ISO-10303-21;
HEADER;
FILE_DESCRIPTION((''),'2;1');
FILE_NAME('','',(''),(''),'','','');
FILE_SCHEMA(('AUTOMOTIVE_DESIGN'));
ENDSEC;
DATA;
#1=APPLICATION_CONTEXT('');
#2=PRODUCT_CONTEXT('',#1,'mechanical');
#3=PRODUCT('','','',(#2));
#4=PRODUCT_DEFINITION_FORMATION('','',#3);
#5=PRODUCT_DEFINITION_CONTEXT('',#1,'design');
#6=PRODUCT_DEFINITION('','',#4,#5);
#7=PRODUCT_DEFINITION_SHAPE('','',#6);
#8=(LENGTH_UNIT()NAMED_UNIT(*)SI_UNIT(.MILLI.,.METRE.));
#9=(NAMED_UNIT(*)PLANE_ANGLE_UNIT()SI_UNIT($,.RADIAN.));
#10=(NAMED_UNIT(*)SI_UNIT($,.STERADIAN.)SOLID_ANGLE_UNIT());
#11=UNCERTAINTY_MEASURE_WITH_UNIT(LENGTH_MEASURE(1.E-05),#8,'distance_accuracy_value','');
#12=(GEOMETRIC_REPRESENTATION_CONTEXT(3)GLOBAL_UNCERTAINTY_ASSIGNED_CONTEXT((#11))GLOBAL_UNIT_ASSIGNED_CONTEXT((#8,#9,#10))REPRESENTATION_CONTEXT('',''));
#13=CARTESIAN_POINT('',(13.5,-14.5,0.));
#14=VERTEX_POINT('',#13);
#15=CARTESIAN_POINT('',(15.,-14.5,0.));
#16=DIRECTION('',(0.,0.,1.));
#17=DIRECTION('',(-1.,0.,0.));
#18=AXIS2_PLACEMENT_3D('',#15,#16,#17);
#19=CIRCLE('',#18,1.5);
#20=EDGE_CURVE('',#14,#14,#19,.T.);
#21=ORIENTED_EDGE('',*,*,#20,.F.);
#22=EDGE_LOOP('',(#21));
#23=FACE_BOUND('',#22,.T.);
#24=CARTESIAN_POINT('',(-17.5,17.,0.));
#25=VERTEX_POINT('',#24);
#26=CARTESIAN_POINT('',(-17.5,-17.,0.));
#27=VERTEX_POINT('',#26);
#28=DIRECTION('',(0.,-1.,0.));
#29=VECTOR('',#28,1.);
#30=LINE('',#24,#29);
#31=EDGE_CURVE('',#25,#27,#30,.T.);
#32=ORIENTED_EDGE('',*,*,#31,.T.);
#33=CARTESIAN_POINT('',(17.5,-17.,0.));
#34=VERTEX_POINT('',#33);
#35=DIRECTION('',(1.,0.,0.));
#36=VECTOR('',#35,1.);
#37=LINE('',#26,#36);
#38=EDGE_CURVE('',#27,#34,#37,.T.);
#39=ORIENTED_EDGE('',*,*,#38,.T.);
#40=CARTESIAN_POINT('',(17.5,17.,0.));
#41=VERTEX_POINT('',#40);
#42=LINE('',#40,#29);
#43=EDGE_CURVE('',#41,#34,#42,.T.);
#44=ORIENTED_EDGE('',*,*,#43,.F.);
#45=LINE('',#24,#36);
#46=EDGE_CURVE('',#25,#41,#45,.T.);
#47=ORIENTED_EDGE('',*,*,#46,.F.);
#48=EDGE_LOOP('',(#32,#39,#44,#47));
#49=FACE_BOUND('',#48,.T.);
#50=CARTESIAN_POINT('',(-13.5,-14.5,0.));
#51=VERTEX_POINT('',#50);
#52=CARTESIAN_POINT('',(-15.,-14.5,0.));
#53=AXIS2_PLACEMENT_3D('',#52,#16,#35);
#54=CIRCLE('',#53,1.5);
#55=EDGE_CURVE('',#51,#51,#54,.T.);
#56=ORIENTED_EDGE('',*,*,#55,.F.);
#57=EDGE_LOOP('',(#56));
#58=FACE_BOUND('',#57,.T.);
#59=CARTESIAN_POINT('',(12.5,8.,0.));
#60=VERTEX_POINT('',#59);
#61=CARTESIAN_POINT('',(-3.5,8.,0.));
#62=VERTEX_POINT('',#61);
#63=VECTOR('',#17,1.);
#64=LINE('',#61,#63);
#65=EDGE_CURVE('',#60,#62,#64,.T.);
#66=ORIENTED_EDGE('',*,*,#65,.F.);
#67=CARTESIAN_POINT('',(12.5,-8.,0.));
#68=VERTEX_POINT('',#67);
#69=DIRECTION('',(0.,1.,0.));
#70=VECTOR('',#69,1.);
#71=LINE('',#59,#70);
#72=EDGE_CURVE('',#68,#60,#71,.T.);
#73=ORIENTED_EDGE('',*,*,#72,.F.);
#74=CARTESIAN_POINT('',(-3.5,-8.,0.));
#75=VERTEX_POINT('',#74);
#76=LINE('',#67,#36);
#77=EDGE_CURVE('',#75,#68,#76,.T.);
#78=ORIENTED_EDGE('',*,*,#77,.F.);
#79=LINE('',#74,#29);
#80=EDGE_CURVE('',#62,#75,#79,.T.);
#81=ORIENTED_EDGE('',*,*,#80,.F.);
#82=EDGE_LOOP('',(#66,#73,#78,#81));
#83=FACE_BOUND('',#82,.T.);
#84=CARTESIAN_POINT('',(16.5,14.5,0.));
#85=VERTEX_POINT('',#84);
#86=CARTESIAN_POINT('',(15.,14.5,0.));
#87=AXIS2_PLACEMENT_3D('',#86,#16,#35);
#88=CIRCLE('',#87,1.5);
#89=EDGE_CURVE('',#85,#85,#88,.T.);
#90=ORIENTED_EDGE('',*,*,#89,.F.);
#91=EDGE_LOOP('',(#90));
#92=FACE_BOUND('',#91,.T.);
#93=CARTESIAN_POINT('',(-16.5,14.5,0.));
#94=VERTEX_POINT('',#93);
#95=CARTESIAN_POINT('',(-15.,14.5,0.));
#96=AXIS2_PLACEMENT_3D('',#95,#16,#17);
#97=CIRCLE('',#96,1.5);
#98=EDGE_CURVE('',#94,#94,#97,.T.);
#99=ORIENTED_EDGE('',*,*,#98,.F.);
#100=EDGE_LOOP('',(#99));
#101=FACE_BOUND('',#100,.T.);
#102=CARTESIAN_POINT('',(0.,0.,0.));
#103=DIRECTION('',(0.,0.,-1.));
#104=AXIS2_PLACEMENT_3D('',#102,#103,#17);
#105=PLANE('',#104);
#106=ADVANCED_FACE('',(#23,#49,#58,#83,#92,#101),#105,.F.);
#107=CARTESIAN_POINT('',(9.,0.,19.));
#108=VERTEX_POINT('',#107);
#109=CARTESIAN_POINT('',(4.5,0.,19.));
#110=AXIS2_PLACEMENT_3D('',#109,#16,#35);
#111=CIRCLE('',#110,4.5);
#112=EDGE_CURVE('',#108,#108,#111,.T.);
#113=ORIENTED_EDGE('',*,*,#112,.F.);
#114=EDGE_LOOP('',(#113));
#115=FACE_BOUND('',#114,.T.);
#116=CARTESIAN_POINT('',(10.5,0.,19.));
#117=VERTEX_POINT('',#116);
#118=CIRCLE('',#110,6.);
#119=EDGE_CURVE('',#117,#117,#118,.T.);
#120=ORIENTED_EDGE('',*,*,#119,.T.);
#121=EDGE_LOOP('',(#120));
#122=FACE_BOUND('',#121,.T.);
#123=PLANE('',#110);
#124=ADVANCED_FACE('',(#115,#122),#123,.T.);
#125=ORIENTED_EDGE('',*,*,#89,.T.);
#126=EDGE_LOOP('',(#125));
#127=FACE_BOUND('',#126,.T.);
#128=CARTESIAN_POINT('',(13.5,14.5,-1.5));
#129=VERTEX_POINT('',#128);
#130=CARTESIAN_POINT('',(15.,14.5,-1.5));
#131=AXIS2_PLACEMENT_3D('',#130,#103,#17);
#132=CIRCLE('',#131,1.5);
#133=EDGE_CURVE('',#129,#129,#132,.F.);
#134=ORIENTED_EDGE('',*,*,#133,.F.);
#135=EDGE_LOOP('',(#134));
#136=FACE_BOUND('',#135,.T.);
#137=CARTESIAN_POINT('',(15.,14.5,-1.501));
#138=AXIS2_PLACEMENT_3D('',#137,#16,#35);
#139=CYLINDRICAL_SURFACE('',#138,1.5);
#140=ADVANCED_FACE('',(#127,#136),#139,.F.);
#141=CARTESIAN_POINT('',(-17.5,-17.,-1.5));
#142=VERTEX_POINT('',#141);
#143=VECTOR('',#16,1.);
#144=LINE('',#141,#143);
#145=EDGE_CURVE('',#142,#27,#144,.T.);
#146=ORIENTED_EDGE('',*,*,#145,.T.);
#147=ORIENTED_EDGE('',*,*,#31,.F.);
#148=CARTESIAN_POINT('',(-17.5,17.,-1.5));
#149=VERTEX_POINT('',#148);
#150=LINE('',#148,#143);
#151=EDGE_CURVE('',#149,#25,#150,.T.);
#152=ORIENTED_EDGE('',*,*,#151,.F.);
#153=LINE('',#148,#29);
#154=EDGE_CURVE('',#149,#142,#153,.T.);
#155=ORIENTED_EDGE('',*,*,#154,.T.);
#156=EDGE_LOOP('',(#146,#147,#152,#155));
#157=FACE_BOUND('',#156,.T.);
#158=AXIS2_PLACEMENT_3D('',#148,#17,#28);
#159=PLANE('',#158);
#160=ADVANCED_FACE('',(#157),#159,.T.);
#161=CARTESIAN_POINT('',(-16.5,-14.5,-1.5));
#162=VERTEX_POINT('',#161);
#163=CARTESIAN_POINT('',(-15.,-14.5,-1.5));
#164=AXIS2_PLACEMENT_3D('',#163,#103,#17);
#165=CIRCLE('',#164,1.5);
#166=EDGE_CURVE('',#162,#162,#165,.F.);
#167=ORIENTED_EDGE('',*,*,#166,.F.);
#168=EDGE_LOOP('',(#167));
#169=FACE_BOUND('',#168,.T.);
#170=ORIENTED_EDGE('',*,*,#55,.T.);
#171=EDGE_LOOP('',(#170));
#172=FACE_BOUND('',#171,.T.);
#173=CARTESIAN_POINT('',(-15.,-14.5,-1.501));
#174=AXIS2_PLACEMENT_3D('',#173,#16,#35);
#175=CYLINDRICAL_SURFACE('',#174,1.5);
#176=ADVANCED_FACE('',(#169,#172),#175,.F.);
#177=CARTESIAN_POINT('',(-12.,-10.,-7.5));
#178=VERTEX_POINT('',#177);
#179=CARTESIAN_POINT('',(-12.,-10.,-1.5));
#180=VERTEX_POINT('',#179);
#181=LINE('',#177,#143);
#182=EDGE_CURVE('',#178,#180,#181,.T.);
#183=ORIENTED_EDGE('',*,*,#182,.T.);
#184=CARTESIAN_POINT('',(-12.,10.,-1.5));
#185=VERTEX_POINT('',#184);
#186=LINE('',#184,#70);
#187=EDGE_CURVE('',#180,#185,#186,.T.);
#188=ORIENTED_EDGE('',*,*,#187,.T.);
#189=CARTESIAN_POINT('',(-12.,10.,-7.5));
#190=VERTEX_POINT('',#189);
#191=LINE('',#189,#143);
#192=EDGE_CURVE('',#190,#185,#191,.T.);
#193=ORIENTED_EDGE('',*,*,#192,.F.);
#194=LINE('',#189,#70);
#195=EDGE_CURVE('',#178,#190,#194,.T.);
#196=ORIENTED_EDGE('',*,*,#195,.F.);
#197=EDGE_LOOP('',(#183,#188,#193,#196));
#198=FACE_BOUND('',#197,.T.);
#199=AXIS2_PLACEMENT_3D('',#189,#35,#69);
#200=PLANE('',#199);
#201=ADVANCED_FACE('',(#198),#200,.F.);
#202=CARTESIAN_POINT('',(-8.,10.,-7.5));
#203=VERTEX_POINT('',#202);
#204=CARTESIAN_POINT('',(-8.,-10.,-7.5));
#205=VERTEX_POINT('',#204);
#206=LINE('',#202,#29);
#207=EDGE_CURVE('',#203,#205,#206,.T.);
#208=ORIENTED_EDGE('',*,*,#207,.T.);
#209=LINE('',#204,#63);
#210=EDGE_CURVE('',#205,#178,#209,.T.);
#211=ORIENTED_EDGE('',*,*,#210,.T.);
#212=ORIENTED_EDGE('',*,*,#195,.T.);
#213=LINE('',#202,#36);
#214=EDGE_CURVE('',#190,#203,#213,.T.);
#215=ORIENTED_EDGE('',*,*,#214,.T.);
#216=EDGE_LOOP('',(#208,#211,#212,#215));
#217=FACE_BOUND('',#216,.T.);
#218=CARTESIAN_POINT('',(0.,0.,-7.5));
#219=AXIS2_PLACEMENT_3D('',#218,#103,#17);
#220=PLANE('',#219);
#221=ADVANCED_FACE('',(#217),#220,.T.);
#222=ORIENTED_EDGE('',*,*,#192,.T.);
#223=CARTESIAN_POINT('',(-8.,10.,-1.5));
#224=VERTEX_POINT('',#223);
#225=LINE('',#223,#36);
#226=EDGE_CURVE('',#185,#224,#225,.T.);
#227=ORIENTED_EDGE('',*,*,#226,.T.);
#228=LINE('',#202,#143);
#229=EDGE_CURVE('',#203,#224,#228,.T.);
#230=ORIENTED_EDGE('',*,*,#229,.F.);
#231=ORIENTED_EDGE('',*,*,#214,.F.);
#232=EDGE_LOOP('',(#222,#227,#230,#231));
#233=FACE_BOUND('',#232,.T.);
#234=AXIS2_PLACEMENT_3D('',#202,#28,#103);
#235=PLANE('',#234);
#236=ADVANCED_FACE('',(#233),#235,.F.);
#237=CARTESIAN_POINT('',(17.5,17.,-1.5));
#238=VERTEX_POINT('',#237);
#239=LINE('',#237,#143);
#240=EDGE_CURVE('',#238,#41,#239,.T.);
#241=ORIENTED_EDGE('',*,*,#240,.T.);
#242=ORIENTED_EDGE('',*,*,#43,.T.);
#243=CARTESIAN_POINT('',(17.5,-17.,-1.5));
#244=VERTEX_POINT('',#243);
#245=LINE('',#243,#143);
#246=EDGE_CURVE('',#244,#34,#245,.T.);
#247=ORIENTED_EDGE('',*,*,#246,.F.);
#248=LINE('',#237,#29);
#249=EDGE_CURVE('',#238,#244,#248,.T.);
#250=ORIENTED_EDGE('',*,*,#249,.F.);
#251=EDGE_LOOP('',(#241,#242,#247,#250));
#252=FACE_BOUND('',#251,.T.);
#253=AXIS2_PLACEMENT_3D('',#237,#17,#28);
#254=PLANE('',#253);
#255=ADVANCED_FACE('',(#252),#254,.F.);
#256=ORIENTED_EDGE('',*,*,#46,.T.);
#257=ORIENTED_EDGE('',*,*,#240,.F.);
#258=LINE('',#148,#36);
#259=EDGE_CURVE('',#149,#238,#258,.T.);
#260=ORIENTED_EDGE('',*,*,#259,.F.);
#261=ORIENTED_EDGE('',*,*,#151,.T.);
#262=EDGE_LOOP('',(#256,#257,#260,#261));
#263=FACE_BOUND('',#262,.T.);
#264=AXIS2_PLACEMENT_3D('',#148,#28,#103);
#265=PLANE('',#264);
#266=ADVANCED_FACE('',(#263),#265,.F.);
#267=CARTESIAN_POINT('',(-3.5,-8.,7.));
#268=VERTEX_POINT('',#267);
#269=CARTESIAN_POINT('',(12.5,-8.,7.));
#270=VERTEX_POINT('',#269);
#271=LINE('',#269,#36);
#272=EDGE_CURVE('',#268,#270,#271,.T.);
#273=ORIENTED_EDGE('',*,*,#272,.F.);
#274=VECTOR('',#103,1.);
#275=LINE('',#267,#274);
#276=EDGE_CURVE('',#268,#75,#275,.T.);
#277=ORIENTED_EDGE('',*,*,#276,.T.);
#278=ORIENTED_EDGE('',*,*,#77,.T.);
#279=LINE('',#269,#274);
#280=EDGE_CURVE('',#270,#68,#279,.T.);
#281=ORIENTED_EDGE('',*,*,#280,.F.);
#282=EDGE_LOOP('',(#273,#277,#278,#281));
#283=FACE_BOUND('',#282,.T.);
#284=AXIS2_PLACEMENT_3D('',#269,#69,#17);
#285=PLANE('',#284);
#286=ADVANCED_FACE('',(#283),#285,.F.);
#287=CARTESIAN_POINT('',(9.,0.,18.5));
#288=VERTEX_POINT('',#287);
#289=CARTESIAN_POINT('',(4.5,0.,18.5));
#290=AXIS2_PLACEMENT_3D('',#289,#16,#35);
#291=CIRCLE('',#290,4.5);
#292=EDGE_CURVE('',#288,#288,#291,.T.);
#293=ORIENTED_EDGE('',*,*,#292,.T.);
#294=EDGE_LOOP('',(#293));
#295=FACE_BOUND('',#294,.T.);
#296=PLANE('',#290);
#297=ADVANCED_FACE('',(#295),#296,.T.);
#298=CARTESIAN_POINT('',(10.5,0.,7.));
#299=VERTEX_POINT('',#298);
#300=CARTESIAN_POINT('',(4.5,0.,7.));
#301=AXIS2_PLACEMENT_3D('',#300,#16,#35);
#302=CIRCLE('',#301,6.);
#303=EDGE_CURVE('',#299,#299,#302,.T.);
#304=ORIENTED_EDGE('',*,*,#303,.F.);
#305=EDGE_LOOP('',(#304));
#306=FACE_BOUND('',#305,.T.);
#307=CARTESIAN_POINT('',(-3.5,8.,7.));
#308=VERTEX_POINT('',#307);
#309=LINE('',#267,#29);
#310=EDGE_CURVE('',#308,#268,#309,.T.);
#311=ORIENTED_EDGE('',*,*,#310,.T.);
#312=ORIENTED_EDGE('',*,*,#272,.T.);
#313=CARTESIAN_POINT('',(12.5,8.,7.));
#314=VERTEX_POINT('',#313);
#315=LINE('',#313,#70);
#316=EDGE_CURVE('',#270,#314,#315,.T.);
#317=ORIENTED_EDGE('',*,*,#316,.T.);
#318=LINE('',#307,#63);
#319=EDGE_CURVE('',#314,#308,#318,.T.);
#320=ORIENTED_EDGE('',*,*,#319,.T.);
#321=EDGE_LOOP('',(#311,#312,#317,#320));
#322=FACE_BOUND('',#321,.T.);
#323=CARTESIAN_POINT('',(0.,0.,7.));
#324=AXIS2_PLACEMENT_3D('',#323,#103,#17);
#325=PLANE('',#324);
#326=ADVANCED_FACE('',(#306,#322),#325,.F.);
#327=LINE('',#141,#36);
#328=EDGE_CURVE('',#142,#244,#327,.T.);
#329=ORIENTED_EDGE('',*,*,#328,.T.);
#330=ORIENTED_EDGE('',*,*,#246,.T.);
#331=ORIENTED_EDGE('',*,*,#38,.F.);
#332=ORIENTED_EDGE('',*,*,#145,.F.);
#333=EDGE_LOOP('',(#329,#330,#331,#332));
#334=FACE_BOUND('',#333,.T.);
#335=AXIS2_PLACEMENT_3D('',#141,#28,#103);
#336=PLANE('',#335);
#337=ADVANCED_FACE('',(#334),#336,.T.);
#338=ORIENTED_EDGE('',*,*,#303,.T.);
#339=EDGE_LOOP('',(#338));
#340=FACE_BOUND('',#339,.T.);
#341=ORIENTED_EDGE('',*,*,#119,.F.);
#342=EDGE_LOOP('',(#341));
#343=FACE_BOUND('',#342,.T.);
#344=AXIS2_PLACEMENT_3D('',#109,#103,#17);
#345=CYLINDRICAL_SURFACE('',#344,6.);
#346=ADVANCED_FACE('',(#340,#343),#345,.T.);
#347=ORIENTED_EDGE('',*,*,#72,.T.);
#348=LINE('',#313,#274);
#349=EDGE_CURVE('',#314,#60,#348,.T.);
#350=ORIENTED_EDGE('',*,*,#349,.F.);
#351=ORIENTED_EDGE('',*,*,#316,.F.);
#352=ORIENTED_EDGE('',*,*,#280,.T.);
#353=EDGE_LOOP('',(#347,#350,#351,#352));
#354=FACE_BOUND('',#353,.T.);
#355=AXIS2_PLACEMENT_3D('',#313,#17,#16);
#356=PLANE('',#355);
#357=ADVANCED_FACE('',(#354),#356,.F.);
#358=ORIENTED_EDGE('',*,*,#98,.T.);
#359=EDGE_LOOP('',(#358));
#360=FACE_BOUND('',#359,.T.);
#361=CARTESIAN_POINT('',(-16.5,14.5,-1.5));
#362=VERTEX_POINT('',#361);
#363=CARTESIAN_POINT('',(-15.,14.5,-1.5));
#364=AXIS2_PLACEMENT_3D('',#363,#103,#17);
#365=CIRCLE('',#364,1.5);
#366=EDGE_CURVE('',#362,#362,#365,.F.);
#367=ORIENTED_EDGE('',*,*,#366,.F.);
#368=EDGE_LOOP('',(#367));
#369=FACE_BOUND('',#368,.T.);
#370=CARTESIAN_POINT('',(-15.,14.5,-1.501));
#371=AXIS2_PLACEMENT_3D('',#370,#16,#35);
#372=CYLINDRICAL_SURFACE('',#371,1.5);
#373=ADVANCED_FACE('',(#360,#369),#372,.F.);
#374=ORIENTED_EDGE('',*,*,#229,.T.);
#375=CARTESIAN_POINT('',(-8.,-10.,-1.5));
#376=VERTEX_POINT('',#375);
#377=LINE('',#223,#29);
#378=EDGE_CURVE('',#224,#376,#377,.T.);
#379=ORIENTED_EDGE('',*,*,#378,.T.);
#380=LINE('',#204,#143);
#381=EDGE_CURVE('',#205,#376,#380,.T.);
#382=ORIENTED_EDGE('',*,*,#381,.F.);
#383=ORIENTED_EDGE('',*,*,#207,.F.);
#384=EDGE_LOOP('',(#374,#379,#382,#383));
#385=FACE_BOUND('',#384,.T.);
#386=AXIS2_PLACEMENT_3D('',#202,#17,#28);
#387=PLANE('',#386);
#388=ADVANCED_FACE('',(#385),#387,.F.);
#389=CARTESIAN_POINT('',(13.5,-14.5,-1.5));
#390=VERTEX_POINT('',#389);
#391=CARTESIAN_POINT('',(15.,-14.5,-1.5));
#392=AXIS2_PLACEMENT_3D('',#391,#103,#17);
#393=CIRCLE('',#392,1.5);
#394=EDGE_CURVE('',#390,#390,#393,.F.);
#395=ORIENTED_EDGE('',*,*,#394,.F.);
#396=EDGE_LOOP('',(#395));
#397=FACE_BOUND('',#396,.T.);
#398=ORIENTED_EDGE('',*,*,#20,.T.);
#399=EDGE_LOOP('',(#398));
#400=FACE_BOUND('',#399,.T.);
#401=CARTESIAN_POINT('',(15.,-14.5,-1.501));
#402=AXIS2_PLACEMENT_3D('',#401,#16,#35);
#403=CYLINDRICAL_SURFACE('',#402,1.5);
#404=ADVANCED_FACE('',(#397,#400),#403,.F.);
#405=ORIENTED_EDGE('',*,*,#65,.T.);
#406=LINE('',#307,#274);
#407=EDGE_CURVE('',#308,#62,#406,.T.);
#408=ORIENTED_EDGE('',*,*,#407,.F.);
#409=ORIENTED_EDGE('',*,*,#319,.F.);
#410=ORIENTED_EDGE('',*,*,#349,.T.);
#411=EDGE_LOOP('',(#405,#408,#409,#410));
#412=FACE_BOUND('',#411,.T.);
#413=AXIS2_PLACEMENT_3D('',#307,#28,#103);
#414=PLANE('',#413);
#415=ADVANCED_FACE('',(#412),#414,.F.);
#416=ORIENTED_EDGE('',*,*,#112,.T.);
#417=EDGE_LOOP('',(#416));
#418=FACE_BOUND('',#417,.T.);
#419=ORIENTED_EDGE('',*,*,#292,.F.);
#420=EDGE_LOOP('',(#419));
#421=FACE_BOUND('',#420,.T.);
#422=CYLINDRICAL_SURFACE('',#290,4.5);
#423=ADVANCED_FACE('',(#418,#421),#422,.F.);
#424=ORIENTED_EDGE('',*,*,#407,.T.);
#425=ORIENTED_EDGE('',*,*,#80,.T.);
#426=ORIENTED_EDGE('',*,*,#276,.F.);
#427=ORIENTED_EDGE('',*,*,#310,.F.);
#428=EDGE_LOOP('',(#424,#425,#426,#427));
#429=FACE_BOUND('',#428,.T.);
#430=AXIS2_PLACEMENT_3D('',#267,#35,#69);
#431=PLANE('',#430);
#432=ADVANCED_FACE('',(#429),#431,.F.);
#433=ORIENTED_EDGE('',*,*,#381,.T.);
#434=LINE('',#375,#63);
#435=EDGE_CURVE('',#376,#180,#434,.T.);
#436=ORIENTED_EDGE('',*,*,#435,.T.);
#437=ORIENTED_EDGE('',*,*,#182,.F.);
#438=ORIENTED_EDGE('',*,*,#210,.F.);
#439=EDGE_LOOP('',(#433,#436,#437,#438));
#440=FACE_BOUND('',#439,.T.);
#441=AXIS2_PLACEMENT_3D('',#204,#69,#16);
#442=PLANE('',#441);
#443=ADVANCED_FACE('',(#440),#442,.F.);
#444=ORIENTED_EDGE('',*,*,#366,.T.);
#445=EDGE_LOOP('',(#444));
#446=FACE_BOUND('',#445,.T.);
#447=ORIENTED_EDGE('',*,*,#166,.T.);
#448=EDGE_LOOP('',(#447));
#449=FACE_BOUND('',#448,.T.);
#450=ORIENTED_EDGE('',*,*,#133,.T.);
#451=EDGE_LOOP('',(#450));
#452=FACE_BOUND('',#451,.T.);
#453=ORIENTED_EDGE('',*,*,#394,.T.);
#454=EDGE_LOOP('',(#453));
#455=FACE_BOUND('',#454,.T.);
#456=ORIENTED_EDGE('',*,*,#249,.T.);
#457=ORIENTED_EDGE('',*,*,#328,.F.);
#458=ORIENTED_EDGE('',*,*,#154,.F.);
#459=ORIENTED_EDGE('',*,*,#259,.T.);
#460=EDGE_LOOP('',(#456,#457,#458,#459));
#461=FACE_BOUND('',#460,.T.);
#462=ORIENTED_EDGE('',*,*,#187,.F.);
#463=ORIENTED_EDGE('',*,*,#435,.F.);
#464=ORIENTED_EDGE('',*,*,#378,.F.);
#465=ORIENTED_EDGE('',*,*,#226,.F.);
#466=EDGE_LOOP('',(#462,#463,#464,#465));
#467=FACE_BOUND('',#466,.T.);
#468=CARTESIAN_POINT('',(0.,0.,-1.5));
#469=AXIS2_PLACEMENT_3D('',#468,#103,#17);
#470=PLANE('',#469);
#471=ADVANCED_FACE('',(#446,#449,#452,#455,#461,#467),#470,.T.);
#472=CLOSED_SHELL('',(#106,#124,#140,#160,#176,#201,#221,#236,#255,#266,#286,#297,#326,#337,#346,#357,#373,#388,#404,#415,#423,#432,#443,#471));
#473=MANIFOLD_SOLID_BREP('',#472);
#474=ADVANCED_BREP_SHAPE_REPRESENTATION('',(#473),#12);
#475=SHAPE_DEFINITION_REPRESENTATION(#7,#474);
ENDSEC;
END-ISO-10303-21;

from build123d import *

# Parameters (mm, degrees)
SKETCH1_W           = 35
SKETCH1_H           = 34
BOSS_EXTRUDE1_DEPTH = 1.5
CUT_EXTRUDE1_REACH  = 3.5
SKETCH2_R           = 1.5
SKETCH3_W           = 16
SKETCH3_H           = 16
BOSS_EXTRUDE3_DEPTH = 7
SKETCH4_R           = 6
BOSS_EXTRUDE4_DEPTH = 12
SKETCH7_R           = 4.5
CUT_EXTRUDE2_DEPTH  = 0.5
SKETCH8_W           = 4
SKETCH8_H           = 20
BOSS_EXTRUDE5_DEPTH = 6


with BuildPart() as part:
    # Sketch1 → Boss-Extrude1 (new body)
    with BuildSketch(Plane.XY):
        Rectangle(SKETCH1_W, SKETCH1_H)
    extrude(amount=-BOSS_EXTRUDE1_DEPTH)

    # Sketch2 → Cut-Extrude1 (cut, up to next)
    with BuildSketch(Plane.XY, mode=Mode.PRIVATE) as cut_extrude1_sk1:
        with Locations((-15, -14.5)):
            Circle(SKETCH2_R)
    cut_extrude1_tool1 = extrude(cut_extrude1_sk1.sketch, amount=-CUT_EXTRUDE1_REACH, mode=Mode.PRIVATE) & part.part
    add(cut_extrude1_tool1.solids().sort_by_distance((-15, -14.5, 0))[0], mode=Mode.SUBTRACT)
    # Sketch2 → Cut-Extrude1 (cut, up to next)
    with BuildSketch(Plane.XY, mode=Mode.PRIVATE) as cut_extrude1_sk2:
        with Locations((15, -14.5)):
            Circle(SKETCH2_R)
    cut_extrude1_tool2 = extrude(cut_extrude1_sk2.sketch, amount=-CUT_EXTRUDE1_REACH, mode=Mode.PRIVATE) & part.part
    add(cut_extrude1_tool2.solids().sort_by_distance((15, -14.5, 0))[0], mode=Mode.SUBTRACT)
    # Sketch2 → Cut-Extrude1 (cut, up to next)
    with BuildSketch(Plane.XY, mode=Mode.PRIVATE) as cut_extrude1_sk3:
        with Locations((15, 14.5)):
            Circle(SKETCH2_R)
    cut_extrude1_tool3 = extrude(cut_extrude1_sk3.sketch, amount=-CUT_EXTRUDE1_REACH, mode=Mode.PRIVATE) & part.part
    add(cut_extrude1_tool3.solids().sort_by_distance((15, 14.5, 0))[0], mode=Mode.SUBTRACT)
    # Sketch2 → Cut-Extrude1 (cut, up to next)
    with BuildSketch(Plane.XY, mode=Mode.PRIVATE) as cut_extrude1_sk4:
        with Locations((-15, 14.5)):
            Circle(SKETCH2_R)
    cut_extrude1_tool4 = extrude(cut_extrude1_sk4.sketch, amount=-CUT_EXTRUDE1_REACH, mode=Mode.PRIVATE) & part.part
    add(cut_extrude1_tool4.solids().sort_by_distance((-15, 14.5, 0))[0], mode=Mode.SUBTRACT)

    # Sketch3 → Boss-Extrude3 (add)
    with BuildSketch(Plane.XY):
        with Locations((4.5, 0)):
            Rectangle(SKETCH3_W, SKETCH3_H)
    extrude(amount=BOSS_EXTRUDE3_DEPTH)

    # Sketch4 → Boss-Extrude4 (add)
    with BuildSketch(Plane.XY.offset(7)):
        with Locations((4.5, 0)):
            Circle(SKETCH4_R)
    extrude(amount=BOSS_EXTRUDE4_DEPTH)

    # Sketch7 → Cut-Extrude2 (cut)
    with BuildSketch(Plane.XY.offset(19)):
        with Locations((4.5, 0)):
            Circle(SKETCH7_R)
    extrude(amount=-CUT_EXTRUDE2_DEPTH, mode=Mode.SUBTRACT)

    # Sketch8 → Boss-Extrude5 (add)
    with BuildSketch(Plane(origin=(0, 0, -1.5), x_dir=(-1, 0, 0), z_dir=(0, 0, -1))):
        with Locations((10, 0)):
            Rectangle(SKETCH8_W, SKETCH8_H)
    extrude(amount=BOSS_EXTRUDE5_DEPTH)


solid = part.part
